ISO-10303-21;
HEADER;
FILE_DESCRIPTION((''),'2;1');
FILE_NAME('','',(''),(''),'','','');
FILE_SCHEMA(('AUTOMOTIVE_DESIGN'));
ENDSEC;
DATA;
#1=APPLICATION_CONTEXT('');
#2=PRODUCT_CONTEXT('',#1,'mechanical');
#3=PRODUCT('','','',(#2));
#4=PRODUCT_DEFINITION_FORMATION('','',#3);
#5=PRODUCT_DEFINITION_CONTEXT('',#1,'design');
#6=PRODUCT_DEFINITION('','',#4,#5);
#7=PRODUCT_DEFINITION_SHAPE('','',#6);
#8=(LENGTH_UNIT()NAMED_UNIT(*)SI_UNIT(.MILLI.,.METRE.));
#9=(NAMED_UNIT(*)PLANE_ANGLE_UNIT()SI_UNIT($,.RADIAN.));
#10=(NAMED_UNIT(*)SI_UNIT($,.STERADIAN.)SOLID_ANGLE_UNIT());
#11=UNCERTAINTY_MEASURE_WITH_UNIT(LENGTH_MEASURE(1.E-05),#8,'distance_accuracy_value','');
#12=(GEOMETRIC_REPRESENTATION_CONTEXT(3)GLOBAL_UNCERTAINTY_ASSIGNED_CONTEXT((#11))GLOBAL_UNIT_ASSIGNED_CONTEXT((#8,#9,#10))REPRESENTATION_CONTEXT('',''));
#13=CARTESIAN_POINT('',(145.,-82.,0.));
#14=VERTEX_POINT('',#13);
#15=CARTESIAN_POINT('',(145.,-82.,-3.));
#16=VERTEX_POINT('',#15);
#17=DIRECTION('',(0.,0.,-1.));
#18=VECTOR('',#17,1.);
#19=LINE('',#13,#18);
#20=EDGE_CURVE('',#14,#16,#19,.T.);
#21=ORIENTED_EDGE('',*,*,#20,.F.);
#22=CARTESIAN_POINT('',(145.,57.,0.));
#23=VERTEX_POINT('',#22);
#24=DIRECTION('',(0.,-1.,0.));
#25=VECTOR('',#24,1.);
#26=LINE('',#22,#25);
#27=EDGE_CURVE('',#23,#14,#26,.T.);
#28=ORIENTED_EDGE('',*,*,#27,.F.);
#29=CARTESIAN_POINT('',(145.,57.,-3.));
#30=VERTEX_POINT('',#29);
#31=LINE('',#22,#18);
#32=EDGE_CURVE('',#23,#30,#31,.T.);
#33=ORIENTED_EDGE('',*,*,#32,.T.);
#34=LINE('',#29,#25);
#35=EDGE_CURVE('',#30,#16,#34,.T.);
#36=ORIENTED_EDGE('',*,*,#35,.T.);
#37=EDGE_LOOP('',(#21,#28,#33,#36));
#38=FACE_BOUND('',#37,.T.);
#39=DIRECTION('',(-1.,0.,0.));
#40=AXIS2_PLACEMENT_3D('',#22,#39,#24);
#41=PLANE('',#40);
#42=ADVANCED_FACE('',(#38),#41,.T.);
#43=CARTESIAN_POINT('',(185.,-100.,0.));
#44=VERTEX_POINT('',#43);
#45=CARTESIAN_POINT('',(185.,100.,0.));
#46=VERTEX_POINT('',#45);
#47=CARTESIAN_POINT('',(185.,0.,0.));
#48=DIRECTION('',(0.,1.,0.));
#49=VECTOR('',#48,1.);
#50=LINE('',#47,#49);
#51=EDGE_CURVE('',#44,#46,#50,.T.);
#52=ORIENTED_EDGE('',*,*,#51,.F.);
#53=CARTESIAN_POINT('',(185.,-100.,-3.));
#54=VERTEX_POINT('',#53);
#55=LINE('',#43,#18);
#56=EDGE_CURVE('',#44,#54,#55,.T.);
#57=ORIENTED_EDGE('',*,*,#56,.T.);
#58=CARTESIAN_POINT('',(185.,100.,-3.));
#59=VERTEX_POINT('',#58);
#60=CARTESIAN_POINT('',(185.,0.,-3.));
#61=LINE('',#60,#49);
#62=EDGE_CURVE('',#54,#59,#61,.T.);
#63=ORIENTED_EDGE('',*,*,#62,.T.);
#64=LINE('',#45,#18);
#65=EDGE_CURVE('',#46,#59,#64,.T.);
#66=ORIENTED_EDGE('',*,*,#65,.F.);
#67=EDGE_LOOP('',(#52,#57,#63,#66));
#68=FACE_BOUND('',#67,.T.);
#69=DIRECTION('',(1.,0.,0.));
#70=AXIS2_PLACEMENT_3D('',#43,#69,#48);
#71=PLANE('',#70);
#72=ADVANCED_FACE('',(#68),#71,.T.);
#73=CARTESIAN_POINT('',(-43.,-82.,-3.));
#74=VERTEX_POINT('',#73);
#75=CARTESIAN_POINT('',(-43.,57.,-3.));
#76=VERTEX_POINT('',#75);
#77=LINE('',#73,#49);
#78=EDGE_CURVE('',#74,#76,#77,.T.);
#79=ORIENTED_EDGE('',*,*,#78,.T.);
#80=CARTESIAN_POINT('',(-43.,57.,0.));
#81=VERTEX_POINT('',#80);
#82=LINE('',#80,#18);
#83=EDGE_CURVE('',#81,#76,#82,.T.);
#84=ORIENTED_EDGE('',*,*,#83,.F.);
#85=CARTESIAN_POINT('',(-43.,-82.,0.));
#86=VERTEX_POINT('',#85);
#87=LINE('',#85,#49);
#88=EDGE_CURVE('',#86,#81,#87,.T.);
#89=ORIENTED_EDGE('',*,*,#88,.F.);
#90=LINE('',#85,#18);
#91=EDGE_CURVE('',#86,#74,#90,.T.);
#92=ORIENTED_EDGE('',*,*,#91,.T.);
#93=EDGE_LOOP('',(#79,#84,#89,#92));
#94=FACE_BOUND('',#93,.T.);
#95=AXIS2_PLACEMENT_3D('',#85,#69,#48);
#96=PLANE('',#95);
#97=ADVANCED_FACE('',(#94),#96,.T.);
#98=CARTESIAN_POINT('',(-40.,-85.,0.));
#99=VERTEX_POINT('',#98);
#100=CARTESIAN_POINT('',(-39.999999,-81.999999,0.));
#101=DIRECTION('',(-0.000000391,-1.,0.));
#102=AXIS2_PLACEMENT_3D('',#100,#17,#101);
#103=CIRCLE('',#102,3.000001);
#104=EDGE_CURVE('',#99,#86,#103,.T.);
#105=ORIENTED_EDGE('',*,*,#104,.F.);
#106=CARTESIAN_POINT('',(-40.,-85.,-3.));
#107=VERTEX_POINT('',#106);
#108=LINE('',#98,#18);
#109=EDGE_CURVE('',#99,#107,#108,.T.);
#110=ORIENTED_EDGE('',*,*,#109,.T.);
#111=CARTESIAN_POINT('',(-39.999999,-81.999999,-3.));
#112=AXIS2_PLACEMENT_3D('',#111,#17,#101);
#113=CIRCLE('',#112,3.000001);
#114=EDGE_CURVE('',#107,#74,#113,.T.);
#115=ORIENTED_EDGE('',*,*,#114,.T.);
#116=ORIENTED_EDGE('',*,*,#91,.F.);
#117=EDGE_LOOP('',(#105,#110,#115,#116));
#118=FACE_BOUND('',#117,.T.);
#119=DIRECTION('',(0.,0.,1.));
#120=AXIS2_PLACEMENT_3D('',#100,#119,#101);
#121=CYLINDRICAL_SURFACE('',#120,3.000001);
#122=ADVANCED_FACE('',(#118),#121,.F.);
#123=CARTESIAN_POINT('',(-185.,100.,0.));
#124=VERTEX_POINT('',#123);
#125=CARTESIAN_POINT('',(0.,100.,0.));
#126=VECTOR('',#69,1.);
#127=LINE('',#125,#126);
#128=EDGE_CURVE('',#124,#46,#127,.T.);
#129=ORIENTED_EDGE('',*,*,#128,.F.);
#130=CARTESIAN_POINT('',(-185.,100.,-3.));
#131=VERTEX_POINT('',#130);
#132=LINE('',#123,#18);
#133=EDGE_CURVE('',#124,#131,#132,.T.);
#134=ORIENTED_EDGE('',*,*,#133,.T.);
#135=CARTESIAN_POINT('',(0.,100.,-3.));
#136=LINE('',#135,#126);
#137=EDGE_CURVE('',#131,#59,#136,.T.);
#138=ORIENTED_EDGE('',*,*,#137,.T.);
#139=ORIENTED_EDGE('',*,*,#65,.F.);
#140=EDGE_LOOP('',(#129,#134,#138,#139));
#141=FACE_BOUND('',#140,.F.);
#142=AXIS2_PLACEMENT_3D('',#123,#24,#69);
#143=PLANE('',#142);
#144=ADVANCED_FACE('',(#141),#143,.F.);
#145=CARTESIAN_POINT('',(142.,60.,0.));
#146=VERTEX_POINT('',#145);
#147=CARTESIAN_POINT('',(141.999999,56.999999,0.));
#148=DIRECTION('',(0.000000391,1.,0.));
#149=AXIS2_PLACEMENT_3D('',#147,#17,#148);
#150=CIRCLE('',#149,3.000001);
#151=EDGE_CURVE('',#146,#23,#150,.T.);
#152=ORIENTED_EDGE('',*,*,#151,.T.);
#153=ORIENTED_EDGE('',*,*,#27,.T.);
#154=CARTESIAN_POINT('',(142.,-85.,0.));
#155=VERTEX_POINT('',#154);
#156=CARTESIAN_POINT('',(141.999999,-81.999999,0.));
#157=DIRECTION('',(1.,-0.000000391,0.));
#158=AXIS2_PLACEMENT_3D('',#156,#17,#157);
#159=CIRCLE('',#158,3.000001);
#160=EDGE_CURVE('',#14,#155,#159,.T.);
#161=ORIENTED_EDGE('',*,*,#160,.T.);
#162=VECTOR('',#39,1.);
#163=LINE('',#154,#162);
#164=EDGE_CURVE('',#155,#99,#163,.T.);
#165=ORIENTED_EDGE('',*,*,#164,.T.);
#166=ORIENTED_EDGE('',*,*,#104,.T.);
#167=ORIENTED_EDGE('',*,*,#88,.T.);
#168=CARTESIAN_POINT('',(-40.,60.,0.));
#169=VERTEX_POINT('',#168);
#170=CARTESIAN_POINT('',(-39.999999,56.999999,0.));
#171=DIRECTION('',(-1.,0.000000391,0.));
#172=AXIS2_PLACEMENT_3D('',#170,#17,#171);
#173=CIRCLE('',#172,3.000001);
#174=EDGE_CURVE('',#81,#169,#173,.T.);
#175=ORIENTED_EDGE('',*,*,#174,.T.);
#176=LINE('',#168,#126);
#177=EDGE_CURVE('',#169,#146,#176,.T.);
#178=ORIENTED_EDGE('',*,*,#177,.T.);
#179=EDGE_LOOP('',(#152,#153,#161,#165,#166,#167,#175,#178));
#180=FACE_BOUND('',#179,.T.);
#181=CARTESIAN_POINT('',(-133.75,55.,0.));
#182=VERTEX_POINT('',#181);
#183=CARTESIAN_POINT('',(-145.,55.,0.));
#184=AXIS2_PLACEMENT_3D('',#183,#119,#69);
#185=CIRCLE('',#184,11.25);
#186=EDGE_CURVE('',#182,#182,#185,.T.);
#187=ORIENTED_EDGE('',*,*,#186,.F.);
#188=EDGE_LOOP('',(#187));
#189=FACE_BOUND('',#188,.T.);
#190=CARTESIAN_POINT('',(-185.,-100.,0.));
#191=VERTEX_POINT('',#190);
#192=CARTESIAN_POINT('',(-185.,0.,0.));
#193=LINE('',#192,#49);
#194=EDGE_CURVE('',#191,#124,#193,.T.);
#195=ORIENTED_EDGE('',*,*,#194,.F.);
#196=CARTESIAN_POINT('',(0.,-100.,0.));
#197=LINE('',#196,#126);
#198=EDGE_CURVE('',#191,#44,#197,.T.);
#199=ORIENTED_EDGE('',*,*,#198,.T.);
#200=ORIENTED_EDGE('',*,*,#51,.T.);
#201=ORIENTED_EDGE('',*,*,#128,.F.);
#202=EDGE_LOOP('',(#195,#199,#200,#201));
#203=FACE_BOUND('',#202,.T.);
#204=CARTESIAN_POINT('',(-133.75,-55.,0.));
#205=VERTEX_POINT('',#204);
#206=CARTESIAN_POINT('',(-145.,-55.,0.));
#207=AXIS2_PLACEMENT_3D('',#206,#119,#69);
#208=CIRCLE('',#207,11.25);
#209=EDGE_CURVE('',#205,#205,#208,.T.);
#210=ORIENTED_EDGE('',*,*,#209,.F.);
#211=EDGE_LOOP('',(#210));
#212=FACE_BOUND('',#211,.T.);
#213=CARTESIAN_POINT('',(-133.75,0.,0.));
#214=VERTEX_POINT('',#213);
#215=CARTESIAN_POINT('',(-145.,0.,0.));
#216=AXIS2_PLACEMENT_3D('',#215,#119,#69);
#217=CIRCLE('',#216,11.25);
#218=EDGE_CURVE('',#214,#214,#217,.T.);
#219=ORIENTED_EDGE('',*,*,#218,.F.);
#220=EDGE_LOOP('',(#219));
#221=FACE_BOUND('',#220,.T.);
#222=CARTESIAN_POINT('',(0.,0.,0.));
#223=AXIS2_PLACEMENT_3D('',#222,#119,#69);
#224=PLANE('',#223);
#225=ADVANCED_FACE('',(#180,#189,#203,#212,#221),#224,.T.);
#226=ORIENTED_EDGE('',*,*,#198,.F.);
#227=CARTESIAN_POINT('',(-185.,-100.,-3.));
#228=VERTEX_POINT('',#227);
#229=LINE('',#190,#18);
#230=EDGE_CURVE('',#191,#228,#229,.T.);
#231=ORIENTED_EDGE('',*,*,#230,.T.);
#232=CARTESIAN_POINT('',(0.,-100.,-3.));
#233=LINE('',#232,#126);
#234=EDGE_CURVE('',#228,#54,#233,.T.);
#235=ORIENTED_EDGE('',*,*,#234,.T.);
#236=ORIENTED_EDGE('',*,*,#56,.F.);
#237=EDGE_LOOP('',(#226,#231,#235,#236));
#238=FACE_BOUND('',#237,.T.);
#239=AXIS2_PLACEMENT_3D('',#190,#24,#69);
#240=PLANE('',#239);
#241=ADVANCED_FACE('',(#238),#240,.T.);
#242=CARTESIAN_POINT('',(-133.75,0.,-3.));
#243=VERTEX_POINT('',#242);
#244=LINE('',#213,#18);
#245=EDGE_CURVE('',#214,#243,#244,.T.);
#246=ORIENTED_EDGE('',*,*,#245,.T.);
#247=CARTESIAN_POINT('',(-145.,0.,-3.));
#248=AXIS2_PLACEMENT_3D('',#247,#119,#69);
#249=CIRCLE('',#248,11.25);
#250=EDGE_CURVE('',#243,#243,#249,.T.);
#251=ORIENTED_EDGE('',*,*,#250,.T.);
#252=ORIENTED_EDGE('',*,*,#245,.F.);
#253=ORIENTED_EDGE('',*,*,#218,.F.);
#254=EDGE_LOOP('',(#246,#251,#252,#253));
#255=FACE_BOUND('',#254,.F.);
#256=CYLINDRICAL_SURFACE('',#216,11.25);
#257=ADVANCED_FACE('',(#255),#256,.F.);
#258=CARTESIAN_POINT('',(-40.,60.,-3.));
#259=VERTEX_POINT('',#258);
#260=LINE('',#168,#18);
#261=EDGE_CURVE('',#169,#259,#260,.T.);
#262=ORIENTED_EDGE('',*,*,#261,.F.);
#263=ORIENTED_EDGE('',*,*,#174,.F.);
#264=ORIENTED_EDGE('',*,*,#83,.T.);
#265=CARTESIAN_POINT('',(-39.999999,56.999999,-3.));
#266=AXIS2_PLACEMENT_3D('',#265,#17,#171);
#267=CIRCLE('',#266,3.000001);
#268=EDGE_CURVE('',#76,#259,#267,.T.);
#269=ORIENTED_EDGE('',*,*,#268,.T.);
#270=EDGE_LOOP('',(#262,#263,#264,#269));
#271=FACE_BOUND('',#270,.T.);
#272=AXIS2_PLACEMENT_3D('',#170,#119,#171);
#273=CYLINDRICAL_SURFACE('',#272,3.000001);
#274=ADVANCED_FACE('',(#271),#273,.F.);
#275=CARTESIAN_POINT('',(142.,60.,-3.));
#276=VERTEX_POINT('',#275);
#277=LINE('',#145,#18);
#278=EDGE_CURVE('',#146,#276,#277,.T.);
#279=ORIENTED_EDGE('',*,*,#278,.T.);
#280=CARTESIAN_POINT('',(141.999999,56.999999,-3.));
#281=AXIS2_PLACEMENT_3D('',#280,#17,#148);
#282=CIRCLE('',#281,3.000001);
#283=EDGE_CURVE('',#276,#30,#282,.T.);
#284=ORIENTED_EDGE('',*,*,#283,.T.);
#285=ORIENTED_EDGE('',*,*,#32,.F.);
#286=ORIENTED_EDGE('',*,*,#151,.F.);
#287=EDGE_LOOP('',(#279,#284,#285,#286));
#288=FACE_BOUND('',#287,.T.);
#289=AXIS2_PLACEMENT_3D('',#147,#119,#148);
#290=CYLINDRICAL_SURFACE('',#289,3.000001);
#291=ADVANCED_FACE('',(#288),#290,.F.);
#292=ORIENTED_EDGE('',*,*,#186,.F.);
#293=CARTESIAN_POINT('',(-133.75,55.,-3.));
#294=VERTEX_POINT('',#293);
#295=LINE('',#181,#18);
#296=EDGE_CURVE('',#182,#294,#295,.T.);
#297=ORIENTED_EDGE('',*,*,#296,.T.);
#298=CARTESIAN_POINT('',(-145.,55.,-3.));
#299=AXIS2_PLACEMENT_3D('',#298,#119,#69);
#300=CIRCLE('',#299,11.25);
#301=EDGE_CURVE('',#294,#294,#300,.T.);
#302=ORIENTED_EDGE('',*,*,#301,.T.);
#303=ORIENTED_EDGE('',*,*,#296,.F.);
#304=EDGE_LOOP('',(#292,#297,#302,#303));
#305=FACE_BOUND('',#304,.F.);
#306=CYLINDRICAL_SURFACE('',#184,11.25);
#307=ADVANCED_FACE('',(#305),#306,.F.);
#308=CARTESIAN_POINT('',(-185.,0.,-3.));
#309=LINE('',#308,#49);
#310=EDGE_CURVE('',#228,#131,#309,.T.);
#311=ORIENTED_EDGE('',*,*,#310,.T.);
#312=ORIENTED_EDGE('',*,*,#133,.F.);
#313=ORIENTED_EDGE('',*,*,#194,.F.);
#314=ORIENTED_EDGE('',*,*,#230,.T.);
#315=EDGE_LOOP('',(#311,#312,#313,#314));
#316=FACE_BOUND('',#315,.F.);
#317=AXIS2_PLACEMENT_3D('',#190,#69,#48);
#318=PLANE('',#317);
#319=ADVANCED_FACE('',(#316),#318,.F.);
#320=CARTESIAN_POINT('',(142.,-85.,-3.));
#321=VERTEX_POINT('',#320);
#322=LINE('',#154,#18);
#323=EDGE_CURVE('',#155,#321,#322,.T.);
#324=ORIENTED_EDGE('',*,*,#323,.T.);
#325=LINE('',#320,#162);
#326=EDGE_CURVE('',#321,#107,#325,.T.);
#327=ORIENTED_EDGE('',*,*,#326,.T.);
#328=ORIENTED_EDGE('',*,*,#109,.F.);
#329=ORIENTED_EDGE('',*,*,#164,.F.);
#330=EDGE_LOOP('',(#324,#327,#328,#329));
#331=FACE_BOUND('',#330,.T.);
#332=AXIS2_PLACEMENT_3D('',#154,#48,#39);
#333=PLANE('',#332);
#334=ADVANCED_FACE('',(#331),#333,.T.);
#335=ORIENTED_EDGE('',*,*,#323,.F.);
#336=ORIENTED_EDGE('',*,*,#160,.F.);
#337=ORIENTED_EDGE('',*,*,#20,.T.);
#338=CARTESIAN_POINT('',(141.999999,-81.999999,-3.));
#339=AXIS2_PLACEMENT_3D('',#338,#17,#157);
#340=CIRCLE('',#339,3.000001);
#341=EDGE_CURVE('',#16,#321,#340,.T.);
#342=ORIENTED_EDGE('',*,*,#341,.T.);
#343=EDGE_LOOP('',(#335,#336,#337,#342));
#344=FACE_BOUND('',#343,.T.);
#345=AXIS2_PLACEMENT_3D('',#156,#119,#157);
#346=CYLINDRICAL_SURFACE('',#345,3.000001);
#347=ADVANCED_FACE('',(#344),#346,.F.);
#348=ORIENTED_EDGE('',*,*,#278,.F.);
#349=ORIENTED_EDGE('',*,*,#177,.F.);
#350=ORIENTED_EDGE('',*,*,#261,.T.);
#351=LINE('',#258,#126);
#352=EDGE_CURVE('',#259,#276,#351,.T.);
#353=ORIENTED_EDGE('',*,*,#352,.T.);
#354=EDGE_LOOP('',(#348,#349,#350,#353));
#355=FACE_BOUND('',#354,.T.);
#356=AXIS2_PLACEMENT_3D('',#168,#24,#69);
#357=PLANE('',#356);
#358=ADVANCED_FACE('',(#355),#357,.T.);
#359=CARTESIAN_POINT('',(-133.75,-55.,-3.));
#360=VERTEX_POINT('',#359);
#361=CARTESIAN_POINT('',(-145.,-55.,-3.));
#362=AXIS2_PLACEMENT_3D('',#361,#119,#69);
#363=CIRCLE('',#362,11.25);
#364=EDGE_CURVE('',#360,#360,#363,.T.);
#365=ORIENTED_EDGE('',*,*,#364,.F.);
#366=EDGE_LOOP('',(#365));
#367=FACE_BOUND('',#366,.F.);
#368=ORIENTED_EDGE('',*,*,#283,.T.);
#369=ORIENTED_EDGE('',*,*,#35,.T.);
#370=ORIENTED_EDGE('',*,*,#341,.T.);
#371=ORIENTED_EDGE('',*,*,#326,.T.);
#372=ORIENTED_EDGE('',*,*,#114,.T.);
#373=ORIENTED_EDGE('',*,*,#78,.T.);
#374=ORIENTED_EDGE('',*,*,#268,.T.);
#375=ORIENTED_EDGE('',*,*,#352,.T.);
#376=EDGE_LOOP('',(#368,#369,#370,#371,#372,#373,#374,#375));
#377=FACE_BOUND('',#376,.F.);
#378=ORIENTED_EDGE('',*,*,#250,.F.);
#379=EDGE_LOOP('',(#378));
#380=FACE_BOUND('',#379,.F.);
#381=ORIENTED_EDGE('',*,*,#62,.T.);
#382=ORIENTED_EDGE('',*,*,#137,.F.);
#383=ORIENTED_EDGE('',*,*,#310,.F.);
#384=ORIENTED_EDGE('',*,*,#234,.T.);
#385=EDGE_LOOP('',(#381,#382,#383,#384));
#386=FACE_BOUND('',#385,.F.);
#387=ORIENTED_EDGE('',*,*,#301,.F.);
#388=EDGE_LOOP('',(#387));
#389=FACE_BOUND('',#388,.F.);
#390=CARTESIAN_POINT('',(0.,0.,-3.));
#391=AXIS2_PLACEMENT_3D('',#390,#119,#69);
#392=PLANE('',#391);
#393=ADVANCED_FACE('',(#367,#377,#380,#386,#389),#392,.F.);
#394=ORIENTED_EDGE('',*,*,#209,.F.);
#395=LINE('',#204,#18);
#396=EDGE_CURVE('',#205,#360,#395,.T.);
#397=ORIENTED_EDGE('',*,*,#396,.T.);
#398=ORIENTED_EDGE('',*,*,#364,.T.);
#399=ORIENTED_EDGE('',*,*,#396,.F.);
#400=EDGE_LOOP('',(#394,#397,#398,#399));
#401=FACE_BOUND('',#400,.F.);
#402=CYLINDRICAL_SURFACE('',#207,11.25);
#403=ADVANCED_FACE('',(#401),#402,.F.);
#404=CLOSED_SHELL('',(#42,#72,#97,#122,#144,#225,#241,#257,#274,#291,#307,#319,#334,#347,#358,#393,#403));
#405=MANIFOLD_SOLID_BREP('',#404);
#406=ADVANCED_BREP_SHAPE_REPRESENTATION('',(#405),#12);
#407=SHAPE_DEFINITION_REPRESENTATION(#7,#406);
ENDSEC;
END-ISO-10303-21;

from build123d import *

# Parameters (mm, degrees)
F0_W     = 370
F0_H     = 200
F1_DEPTH = 3
F2_R     = 11.25
F3_DEPTH = 3.001


with BuildPart() as f1:
    # F0 (on Top) → F1 (new body)
    with BuildSketch(Plane.XY):
        Rectangle(F0_W, F0_H)
        with BuildLine():
            ThreePointArc((145, -82), (144.12132, -84.12132), (142, -85))
            Line((142, -85), (-40, -85))
            ThreePointArc((-40, -85), (-42.12132, -84.12132), (-43, -82))
            Line((-43, -82), (-43, 57))
            ThreePointArc((-43, 57), (-42.12132, 59.12132), (-40, 60))
            Line((-40, 60), (142, 60))
            ThreePointArc((142, 60), (144.12132, 59.12132), (145, 57))
            Line((145, 57), (145, -82))
        make_face(mode=Mode.SUBTRACT)
    extrude(amount=-F1_DEPTH)

    # F2 (on Top) → F3 (cut, through all)
    with BuildSketch(Plane.XY):
        with Locations((-145, -55)):
            Circle(F2_R)
        with Locations((-145, 0)):
            Circle(F2_R)
        with Locations((-145, 55)):
            Circle(F2_R)
    extrude(amount=-F3_DEPTH, mode=Mode.SUBTRACT)


solid = f1.part
